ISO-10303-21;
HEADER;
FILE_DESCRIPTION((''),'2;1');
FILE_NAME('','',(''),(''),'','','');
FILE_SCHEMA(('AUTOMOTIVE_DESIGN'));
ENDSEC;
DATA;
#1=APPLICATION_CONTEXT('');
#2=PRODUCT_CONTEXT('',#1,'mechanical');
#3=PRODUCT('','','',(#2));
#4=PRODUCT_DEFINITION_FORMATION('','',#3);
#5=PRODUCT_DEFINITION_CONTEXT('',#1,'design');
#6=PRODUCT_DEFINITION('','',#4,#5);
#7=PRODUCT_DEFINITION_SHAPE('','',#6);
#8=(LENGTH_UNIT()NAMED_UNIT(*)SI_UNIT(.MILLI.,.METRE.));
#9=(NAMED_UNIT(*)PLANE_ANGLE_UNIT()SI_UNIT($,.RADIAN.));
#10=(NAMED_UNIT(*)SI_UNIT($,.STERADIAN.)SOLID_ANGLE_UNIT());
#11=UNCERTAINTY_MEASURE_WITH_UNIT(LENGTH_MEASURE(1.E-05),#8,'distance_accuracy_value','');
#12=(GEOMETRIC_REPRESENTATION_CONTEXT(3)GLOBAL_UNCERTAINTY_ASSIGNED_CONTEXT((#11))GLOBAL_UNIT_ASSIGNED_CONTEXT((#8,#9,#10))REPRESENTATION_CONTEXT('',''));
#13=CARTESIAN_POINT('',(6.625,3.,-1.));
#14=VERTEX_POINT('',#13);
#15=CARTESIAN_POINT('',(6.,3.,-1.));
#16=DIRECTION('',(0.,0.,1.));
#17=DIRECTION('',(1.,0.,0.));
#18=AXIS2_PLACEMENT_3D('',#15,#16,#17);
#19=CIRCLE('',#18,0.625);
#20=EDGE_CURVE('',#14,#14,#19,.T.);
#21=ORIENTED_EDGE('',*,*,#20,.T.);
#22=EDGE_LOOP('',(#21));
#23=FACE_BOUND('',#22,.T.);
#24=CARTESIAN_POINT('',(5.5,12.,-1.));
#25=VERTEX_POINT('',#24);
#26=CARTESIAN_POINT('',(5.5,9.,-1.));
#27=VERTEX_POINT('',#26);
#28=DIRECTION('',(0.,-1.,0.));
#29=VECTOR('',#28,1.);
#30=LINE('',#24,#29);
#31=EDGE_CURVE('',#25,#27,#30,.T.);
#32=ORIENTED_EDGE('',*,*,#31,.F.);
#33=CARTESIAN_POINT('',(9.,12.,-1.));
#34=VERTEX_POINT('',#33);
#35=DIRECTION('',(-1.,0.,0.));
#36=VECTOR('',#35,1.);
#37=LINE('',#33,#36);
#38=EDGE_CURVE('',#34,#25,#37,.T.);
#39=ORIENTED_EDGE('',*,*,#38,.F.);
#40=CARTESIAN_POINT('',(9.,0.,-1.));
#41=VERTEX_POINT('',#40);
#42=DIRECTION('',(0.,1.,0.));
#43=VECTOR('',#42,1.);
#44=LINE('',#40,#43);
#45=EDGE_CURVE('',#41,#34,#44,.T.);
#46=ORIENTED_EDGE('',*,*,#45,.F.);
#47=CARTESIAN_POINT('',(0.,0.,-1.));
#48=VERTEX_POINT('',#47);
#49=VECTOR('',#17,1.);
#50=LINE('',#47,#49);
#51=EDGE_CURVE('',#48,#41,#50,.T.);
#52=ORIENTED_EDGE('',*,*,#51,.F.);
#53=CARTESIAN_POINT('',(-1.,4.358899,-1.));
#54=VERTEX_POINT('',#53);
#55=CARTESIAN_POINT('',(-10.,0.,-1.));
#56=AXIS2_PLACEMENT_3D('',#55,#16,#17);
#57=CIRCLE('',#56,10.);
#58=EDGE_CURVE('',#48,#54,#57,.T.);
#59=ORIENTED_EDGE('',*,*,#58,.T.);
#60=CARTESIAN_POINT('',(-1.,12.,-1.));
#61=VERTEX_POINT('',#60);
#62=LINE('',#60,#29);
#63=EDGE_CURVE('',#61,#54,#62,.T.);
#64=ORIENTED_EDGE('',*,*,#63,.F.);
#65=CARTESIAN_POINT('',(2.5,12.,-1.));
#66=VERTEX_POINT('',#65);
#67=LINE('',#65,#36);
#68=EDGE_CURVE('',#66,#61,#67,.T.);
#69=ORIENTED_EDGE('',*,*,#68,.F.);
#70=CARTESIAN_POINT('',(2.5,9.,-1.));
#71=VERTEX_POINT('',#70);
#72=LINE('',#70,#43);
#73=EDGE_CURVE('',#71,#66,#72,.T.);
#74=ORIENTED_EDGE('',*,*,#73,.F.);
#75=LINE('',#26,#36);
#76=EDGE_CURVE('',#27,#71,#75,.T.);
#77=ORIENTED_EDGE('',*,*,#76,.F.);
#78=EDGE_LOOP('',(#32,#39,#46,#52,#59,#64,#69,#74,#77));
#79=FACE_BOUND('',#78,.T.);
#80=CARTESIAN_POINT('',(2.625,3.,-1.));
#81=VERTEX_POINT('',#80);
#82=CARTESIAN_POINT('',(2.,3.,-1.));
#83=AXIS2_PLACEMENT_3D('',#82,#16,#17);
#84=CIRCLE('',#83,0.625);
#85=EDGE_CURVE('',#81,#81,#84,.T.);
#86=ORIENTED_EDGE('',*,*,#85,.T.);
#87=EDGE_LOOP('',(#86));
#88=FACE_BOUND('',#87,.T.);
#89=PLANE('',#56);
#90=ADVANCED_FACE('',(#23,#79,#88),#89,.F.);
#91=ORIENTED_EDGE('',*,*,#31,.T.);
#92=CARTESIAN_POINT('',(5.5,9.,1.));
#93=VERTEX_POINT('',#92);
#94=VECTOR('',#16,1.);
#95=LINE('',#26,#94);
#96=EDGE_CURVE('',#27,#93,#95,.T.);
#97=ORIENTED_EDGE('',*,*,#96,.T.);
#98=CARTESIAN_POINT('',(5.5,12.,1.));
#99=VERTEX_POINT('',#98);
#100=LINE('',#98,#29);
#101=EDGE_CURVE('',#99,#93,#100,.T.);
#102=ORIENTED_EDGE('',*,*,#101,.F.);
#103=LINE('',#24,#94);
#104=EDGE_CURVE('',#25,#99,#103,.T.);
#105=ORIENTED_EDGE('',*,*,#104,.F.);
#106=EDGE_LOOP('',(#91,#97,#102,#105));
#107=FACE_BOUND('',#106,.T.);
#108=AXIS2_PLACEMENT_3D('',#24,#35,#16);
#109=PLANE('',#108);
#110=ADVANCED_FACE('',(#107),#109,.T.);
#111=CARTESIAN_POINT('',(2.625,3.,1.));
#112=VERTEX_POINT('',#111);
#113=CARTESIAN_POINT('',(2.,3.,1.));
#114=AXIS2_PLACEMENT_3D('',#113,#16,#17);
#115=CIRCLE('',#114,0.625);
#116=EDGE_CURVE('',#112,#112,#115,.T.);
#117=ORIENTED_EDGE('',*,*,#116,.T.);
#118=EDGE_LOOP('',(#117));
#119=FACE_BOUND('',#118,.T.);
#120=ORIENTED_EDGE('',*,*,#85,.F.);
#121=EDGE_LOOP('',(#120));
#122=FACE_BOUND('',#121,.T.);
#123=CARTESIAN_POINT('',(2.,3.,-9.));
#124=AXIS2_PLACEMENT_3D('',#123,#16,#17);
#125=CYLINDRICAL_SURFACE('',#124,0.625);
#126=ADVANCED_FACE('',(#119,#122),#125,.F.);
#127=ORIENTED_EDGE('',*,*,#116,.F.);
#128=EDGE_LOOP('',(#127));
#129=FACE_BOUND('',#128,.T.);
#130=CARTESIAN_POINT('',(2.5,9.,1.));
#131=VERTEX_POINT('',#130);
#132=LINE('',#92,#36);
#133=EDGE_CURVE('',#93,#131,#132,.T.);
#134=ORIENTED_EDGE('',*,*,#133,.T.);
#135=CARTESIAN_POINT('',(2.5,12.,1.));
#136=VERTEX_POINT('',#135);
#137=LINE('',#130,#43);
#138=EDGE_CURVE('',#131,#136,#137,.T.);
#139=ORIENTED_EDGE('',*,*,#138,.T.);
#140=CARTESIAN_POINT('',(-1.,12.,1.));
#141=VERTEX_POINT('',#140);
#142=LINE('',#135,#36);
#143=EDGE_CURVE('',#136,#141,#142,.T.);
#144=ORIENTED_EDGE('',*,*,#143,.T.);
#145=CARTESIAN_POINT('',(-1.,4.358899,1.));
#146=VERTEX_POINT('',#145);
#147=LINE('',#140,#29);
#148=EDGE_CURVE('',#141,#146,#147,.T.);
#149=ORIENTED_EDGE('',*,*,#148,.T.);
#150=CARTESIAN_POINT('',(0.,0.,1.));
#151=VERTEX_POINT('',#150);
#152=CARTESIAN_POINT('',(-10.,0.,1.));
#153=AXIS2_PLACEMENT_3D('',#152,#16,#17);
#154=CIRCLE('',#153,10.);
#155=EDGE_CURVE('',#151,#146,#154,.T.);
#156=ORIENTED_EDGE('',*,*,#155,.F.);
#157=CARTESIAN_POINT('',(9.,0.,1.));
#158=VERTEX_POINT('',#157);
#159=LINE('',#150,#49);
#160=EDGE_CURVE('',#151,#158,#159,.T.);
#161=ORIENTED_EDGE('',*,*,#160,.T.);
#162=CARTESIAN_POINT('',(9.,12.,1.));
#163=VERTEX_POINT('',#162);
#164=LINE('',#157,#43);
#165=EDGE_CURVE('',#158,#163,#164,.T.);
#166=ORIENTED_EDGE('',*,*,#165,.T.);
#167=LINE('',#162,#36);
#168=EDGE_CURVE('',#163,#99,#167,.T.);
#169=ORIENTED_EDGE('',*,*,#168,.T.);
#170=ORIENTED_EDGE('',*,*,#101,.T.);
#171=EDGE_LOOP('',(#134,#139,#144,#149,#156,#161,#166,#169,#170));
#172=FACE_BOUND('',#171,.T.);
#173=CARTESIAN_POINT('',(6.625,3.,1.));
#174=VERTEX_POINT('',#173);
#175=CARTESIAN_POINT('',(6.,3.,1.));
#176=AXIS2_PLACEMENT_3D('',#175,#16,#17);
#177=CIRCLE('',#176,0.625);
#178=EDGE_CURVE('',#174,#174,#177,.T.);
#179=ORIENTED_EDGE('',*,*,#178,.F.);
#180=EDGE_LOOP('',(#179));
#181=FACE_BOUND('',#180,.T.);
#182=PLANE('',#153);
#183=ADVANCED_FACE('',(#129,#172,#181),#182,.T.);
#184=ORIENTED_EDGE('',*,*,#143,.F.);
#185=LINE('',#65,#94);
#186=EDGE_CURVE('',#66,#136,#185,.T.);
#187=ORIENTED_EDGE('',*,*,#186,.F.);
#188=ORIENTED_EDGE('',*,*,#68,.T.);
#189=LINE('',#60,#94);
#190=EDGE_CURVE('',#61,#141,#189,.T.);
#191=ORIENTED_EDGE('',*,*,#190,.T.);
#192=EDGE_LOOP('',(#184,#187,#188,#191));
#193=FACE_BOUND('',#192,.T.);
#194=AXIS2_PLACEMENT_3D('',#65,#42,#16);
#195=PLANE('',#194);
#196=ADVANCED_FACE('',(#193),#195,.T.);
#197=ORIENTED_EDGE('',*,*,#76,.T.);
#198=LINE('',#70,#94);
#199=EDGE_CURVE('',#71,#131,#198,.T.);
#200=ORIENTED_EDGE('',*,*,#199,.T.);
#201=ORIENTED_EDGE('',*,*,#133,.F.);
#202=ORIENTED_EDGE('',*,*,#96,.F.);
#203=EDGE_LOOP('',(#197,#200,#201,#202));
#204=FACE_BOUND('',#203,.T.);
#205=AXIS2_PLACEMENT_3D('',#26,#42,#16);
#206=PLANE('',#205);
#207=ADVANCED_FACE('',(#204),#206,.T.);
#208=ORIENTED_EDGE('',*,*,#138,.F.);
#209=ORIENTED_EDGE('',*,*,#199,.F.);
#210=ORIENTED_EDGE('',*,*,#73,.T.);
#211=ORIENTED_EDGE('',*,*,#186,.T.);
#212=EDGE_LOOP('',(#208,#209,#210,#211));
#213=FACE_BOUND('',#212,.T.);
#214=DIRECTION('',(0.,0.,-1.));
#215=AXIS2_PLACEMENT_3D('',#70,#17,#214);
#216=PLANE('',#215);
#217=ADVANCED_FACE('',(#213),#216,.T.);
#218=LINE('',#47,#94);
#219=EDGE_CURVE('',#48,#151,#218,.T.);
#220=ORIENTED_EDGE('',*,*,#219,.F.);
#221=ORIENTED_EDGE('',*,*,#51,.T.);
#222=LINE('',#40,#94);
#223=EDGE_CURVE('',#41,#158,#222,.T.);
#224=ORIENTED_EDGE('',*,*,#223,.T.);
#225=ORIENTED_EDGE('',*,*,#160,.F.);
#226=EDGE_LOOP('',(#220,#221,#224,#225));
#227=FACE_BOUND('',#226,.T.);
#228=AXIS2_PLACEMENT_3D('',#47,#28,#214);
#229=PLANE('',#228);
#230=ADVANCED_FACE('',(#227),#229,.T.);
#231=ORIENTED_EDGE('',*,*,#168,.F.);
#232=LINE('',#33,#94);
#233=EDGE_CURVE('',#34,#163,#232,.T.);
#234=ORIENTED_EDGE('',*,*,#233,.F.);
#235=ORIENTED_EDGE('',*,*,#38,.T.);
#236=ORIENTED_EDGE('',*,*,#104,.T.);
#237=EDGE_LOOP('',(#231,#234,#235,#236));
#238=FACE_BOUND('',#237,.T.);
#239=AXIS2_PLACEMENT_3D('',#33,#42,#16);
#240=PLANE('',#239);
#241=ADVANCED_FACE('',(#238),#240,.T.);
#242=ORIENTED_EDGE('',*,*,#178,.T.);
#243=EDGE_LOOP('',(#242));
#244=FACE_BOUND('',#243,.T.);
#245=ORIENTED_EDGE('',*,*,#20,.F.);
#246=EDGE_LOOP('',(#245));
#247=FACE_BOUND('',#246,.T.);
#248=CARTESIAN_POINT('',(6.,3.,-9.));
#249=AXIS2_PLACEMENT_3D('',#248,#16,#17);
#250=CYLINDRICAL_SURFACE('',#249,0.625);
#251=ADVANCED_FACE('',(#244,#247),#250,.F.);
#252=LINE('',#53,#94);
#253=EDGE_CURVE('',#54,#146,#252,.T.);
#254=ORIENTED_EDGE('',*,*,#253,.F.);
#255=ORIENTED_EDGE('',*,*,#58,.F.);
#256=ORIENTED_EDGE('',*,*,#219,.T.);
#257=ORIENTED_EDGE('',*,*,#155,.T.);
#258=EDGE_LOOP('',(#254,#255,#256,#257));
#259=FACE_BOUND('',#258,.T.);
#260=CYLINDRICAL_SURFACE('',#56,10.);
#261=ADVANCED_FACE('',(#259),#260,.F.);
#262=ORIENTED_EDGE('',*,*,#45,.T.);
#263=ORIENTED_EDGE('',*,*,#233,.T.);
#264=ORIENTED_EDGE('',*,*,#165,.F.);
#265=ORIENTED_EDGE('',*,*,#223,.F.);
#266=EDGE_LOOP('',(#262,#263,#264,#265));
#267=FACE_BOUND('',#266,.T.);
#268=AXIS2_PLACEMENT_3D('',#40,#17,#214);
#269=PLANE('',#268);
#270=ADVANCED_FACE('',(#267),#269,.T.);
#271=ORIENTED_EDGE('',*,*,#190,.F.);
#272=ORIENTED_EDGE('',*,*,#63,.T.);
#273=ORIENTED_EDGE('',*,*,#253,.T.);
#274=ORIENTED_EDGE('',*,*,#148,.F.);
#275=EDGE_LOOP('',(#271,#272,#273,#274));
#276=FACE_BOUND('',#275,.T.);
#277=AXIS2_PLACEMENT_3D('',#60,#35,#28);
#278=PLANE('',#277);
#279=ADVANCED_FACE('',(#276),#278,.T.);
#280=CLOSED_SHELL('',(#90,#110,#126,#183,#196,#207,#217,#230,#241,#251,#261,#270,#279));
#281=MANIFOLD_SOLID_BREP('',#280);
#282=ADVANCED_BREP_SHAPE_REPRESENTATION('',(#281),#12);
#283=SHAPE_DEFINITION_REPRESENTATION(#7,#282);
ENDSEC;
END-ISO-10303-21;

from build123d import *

# Parameters (mm, degrees)
BOSS_EXTRU_2_DEPTH      = 1
BOSS_EXTRU_2_DEPTH_BACK = 1
ESQUISSE3_R             = 0.625
ENL_V_MAT_EXTRU_1_DEPTH = 10


with BuildPart() as part:
    # Esquisse1 → Boss.-Extru.2 (new, two sides: drawn at the far end of the back side and taken through both)
    with BuildSketch(Plane.XY.offset(-BOSS_EXTRU_2_DEPTH_BACK)):
        with BuildLine():
            Line((0, 0), (9, 0))
            Line((9, 0), (9, 12))
            Line((9, 12), (5.5, 12))
            Line((5.5, 12), (5.5, 9))
            Line((5.5, 9), (2.5, 9))
            Line((2.5, 9), (2.5, 12))
            Line((2.5, 12), (-1, 12))
            Line((-1, 12), (-1, 4.358898944))
            ThreePointArc((-1, 4.358898944), (-0.253205655, 2.236067977), (0, 0))
        make_face()
    extrude(amount=BOSS_EXTRU_2_DEPTH + BOSS_EXTRU_2_DEPTH_BACK)

    # Esquisse3 → Enlèv. mat.-Extru.1 (cut)
    with BuildSketch(Plane.XY.offset(1)):
        with Locations((2, 3)):
            Circle(ESQUISSE3_R)
        with Locations((6, 3)):
            Circle(ESQUISSE3_R)
    extrude(amount=-ENL_V_MAT_EXTRU_1_DEPTH, mode=Mode.SUBTRACT)


solid = part.part
